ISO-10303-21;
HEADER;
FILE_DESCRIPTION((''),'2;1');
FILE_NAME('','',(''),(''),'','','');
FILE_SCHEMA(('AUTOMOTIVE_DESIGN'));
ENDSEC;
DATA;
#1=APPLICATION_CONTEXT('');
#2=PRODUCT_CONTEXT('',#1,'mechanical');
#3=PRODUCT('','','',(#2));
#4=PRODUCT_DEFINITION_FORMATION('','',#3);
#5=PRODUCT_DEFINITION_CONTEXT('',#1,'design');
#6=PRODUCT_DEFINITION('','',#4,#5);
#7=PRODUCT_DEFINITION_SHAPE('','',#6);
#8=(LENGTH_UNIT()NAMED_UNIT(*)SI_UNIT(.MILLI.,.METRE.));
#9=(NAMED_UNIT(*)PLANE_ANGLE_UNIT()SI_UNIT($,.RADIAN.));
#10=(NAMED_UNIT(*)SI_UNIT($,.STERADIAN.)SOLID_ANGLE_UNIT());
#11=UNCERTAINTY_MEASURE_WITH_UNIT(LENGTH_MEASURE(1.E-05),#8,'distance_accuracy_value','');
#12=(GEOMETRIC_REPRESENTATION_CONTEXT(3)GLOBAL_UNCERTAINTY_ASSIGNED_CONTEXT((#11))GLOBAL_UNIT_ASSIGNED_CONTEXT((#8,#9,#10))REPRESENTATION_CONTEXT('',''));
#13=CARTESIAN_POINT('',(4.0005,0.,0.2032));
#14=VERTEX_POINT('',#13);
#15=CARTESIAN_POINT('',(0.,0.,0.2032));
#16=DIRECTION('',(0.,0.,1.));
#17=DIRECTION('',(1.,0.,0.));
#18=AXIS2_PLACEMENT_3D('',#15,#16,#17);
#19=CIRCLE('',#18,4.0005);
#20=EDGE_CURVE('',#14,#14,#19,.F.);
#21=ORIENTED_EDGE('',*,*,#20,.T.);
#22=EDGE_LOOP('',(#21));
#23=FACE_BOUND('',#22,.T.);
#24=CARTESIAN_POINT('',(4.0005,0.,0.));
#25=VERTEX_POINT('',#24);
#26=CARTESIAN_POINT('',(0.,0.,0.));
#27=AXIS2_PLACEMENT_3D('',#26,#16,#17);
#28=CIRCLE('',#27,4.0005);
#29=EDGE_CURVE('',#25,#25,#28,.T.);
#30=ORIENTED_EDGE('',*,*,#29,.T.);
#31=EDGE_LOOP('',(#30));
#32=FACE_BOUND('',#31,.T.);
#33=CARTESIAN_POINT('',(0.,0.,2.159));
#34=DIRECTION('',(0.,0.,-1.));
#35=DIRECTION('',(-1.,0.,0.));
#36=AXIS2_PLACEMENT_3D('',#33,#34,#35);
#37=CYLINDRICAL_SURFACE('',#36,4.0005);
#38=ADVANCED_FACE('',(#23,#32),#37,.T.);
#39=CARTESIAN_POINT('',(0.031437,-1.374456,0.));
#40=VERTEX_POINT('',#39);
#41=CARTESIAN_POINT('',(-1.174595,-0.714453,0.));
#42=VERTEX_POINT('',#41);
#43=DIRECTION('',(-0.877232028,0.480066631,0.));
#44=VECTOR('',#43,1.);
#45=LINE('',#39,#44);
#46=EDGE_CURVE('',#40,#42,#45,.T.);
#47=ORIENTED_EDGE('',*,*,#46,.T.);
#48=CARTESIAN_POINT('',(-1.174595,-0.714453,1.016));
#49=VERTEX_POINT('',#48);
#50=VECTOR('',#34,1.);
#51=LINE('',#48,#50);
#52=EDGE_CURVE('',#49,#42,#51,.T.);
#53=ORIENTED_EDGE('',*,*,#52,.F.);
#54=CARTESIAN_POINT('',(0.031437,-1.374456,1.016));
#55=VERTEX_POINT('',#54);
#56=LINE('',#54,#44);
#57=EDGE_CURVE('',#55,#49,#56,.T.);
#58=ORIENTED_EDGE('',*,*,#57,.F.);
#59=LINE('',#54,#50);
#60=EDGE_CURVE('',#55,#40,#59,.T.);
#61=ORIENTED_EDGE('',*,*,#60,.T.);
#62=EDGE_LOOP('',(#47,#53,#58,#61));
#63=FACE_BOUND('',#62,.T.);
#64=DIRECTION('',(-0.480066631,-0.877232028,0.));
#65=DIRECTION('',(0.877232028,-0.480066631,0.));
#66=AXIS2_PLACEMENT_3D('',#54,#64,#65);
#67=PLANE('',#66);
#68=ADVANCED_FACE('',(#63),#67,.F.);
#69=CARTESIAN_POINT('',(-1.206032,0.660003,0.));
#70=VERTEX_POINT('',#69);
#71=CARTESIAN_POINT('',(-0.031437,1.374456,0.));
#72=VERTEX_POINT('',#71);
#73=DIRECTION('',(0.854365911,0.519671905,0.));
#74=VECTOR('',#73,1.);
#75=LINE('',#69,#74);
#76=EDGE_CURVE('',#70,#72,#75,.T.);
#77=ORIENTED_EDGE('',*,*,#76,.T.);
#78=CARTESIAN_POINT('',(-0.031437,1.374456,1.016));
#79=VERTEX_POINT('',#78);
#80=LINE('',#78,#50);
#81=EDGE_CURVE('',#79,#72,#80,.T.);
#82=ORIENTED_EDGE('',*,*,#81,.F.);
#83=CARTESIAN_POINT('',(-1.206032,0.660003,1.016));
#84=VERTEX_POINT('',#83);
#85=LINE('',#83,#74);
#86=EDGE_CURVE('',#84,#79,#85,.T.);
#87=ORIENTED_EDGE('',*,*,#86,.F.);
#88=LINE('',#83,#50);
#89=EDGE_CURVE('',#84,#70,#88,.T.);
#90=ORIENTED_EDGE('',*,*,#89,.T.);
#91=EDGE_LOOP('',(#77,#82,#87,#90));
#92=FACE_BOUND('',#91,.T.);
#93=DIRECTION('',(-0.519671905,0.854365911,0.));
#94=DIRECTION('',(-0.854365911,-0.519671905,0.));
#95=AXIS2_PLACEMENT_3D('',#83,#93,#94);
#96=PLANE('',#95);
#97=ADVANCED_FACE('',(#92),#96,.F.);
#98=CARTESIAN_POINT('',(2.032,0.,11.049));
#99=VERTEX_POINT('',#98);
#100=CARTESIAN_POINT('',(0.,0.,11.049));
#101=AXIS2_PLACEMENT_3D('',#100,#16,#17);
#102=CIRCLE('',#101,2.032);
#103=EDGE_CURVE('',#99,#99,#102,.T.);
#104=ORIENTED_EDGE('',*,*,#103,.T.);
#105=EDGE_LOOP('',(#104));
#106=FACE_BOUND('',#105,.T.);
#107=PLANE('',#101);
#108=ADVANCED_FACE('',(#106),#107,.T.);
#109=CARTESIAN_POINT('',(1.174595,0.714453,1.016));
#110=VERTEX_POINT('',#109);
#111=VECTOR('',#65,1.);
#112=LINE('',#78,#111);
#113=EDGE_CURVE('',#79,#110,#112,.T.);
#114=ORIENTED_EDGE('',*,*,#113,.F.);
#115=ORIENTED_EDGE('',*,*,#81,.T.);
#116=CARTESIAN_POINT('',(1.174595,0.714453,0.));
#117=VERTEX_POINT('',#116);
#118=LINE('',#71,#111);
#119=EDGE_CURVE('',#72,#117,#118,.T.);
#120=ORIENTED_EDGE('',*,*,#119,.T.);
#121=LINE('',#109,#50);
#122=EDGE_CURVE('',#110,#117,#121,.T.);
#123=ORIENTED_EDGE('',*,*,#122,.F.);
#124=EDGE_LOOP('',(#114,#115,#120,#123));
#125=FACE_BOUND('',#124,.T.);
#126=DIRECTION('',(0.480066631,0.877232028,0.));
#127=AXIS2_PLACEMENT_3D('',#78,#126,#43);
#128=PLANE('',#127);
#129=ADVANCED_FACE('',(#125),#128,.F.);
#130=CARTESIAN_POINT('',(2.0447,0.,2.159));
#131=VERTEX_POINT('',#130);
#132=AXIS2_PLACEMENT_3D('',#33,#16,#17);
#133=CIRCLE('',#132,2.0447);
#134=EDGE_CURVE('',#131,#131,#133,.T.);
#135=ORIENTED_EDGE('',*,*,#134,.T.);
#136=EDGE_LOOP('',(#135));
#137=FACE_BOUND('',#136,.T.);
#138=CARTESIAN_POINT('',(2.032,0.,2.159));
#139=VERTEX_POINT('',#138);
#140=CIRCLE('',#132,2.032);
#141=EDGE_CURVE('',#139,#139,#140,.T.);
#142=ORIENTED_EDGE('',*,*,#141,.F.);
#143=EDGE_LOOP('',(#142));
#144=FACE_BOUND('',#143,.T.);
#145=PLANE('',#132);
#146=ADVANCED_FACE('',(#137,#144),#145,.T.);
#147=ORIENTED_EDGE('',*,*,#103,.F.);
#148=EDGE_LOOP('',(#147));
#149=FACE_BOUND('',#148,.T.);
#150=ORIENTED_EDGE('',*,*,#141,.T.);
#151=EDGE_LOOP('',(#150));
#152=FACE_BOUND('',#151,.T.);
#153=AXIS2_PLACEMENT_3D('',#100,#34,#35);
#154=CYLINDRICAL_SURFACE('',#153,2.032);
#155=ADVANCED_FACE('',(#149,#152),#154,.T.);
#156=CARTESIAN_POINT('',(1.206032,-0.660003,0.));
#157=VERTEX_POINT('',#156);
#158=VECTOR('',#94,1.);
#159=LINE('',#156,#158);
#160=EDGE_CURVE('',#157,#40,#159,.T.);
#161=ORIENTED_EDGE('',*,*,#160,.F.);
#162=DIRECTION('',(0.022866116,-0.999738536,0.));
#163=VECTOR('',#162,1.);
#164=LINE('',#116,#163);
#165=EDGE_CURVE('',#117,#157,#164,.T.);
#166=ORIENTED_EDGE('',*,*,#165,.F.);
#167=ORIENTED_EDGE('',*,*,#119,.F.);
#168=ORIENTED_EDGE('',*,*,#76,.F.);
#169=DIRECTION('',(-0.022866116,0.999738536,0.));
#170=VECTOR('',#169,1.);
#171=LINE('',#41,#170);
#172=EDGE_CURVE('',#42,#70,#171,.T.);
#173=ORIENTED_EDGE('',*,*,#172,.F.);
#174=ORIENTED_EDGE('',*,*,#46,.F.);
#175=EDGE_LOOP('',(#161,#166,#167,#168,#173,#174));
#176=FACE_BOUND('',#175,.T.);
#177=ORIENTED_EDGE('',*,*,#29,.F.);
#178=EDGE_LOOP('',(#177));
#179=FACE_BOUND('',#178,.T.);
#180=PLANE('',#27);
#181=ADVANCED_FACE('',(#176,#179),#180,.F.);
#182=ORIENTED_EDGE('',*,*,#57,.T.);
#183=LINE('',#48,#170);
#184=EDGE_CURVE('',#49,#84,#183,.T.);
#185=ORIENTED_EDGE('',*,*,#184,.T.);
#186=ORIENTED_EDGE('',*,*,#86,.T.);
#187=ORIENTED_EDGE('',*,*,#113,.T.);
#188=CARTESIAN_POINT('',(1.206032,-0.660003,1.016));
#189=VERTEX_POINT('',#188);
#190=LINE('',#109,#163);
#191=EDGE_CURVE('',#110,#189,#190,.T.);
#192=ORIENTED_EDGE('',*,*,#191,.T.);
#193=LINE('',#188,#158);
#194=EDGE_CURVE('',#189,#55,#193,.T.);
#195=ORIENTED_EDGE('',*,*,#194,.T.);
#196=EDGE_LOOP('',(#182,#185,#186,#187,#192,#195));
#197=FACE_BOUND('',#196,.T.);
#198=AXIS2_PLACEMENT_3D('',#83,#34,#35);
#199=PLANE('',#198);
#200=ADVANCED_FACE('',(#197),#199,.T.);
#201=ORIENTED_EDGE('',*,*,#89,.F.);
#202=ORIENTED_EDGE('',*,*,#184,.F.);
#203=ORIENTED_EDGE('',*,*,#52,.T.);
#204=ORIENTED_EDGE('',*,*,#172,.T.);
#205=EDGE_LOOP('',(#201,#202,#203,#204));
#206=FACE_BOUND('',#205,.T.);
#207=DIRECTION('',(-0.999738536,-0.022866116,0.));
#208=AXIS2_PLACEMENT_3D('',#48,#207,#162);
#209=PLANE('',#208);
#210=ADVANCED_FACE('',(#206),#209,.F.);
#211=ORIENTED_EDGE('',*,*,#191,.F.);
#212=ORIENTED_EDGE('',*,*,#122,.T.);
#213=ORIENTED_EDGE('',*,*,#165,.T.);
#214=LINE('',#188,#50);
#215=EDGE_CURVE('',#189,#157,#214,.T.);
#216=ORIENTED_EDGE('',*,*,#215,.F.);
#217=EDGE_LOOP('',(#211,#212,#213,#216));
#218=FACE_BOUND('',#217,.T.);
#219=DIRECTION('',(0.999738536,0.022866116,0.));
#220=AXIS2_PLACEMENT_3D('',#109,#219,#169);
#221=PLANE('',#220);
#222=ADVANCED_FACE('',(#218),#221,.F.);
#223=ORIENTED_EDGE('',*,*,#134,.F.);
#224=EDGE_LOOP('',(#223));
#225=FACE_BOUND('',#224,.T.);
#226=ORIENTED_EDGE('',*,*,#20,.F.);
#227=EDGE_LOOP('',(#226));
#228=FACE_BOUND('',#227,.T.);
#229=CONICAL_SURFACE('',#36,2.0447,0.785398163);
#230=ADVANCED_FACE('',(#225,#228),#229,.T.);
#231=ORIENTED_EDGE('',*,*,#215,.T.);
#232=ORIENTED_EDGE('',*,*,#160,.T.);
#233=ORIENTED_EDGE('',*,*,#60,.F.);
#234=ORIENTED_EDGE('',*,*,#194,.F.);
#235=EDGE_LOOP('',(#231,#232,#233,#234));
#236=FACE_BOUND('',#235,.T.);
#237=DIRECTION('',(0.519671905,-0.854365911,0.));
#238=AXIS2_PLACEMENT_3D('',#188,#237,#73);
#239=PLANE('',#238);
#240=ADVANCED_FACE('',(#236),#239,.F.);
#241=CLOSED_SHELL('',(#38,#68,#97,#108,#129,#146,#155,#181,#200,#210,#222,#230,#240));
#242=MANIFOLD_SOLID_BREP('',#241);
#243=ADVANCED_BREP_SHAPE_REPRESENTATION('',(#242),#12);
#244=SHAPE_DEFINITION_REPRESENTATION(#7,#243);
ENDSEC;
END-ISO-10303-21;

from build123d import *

# Parameters (mm, degrees)
SKETCH1_R      = 4.0005
EXTRUDE1_DEPTH = 2.159
SKETCH2_R      = 2.032
EXTRUDE2_DEPTH = 8.89
EXTRUDE3_DEPTH = 1.016
CHAMFER1_SIZE  = 1.9558


with BuildPart() as part:
    # Sketch1 → Extrude1 (new body)
    with BuildSketch(Plane.XY):
        Circle(SKETCH1_R)
    extrude(amount=EXTRUDE1_DEPTH)

    # Sketch2 → Extrude2 (add)
    with BuildSketch(Plane.XY.offset(2.159)):
        Circle(SKETCH2_R)
    extrude(amount=EXTRUDE2_DEPTH)

    # Sketch3 → Extrude3 (cut)
    with BuildSketch(Plane(origin=(0, 0, 0), x_dir=(-1, 0, 0), z_dir=(0, 0, -1))):
        Polygon((1.206032038, 0.660002963), (0.031436687, 1.374455864), (-1.174595351, 0.714452901), (-1.206032038, -0.660002963), (-0.031436687, -1.374455864), (1.174595351, -0.714452901), align=None)
    extrude(amount=-EXTRUDE3_DEPTH, mode=Mode.SUBTRACT)

    # Chamfer1
    chamfer1_edges = [part.edges().sort_by_distance(p)[0] for p in [
        (-4.0005, 0, 2.159),
    ]]
    chamfer(chamfer1_edges, length=CHAMFER1_SIZE)


solid = part.part
